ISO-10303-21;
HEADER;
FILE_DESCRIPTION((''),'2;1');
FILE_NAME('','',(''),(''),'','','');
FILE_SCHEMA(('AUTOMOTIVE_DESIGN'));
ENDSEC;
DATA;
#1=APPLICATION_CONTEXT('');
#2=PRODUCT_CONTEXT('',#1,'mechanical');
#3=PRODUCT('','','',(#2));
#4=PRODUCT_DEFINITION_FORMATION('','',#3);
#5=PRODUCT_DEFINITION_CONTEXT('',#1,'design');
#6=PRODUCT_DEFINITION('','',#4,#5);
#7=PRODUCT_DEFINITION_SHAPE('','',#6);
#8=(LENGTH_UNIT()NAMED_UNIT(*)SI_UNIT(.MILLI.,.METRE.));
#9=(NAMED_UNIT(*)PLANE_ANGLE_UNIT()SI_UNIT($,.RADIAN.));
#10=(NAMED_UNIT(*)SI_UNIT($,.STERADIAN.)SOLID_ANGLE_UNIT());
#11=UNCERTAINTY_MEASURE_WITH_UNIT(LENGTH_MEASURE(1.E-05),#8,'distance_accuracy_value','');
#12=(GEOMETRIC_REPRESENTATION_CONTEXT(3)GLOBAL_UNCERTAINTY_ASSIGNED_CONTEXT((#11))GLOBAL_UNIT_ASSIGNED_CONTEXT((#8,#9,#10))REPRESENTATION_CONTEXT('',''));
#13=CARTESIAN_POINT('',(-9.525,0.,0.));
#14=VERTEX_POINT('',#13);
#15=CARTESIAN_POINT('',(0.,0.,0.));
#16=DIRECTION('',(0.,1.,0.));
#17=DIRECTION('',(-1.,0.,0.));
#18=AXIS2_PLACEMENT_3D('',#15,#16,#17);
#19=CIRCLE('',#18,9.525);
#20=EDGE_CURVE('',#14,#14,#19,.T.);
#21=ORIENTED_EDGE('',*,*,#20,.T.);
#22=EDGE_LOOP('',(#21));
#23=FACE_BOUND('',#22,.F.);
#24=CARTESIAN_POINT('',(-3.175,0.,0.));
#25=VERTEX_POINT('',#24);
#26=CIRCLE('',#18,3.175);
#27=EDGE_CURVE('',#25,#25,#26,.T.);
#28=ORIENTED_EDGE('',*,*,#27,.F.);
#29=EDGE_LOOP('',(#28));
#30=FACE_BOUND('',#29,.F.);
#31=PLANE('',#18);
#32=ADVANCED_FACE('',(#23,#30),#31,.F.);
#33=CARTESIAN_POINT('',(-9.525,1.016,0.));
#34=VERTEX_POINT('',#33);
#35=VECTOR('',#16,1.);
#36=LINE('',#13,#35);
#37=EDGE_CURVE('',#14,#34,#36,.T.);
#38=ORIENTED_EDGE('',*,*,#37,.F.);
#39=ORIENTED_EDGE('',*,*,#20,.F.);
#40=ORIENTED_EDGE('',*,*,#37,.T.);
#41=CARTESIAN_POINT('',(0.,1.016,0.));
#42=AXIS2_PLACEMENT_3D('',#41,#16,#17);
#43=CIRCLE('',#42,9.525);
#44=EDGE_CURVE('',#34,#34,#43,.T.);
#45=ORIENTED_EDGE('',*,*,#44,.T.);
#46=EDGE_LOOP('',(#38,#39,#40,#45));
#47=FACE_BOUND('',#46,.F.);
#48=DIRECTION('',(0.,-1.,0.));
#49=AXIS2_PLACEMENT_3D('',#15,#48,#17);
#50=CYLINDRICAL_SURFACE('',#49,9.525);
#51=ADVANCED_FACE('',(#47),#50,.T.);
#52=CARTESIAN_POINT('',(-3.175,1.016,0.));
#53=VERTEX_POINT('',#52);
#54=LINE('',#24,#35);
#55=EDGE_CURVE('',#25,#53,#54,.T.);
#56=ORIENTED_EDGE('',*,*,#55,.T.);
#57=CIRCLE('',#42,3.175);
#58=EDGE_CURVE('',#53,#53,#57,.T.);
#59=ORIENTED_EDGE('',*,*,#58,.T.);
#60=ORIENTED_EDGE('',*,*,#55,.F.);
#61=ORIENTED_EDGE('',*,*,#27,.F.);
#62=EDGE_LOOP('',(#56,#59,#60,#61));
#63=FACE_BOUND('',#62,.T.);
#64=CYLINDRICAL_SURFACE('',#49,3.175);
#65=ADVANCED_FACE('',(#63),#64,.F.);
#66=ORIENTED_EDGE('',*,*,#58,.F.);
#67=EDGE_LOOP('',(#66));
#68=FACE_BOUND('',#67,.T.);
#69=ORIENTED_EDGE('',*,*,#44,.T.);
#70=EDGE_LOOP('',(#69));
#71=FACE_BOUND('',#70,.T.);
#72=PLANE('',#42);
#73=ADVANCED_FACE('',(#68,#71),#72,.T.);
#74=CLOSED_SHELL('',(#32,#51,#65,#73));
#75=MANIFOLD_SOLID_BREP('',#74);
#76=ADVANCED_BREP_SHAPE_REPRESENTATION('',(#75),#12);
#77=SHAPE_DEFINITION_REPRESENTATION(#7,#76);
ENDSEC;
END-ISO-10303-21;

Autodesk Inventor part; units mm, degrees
ref_plane "YZ Plane" through (0, 0, 0) normal (1, 0, 0) x (0, 1, 0)
ref_plane "XZ Plane" through (0, 0, 0) normal (0, 1, 0) x (-1, 0, 0)
ref_plane "XY Plane" through (0, 0, 0) normal (0, 0, 1) x (1, 0, 0)
sketch "Sketch1" plane through (0, 0, 0) normal (0, 1, 0) x (-1, 0, 0)
  circle A0 centre (0, 0) radius 3.175
  circle A1 centre (0, 0) radius 9.525
  dimension "d0" = 6.35
  dimension "d1" = 19.05
extrude "Extrusion1" add sketch "Sketch1" along normal blind 1.016
properties part number "COTS_98032A485_.25ID_.625OD_Stainless Steel Washer" material "Aluminum 6061"
